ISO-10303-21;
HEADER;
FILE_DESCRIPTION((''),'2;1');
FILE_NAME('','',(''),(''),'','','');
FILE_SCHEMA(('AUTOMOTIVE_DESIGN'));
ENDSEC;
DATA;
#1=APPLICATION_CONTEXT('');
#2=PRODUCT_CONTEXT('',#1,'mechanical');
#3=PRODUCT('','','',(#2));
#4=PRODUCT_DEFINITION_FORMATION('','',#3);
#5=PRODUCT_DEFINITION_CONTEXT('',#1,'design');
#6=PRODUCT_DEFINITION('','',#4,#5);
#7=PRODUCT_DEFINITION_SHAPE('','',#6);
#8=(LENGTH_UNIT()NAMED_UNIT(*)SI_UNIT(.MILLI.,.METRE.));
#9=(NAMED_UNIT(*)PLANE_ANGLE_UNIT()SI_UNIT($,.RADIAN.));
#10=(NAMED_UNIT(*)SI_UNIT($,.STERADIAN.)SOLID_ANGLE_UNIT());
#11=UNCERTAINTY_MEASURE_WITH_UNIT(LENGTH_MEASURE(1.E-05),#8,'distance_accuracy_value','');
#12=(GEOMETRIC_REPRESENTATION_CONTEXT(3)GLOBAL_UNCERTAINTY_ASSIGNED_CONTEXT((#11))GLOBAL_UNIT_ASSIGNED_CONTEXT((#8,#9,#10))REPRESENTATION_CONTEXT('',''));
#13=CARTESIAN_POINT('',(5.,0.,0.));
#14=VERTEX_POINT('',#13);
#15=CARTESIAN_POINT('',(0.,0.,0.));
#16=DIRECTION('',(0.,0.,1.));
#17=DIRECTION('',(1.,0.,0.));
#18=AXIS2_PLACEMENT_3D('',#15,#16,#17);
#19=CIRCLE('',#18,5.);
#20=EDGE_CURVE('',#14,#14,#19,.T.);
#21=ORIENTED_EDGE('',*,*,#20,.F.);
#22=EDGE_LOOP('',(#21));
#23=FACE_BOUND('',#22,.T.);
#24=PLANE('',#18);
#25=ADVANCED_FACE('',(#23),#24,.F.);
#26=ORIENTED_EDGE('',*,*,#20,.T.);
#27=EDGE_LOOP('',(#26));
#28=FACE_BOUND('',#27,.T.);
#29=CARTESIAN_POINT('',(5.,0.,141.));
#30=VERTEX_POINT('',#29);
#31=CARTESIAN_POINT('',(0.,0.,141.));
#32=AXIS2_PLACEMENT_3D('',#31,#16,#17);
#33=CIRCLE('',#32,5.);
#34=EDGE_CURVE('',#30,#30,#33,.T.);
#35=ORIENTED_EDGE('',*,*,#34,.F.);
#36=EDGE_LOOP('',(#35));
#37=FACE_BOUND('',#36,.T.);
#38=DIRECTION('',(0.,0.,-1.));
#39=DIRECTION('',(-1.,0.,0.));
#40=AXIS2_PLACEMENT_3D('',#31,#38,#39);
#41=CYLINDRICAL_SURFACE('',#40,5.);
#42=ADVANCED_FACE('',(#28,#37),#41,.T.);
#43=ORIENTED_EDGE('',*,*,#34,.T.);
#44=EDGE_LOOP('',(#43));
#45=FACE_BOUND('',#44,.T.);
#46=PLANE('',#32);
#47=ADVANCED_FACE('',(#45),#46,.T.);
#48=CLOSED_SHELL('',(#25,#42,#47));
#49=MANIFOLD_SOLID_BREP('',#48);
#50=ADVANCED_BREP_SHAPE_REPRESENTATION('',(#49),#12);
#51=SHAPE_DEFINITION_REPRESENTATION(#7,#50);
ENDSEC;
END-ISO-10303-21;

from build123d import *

# Parameters (mm, degrees)
ESQUISSE1_R        = 5
BOSS_EXTRU_1_DEPTH = 141


with BuildPart() as part:
    # Esquisse1 → Boss.-Extru.1 (new body)
    with BuildSketch(Plane.XY):
        Circle(ESQUISSE1_R)
    extrude(amount=BOSS_EXTRU_1_DEPTH)


solid = part.part
